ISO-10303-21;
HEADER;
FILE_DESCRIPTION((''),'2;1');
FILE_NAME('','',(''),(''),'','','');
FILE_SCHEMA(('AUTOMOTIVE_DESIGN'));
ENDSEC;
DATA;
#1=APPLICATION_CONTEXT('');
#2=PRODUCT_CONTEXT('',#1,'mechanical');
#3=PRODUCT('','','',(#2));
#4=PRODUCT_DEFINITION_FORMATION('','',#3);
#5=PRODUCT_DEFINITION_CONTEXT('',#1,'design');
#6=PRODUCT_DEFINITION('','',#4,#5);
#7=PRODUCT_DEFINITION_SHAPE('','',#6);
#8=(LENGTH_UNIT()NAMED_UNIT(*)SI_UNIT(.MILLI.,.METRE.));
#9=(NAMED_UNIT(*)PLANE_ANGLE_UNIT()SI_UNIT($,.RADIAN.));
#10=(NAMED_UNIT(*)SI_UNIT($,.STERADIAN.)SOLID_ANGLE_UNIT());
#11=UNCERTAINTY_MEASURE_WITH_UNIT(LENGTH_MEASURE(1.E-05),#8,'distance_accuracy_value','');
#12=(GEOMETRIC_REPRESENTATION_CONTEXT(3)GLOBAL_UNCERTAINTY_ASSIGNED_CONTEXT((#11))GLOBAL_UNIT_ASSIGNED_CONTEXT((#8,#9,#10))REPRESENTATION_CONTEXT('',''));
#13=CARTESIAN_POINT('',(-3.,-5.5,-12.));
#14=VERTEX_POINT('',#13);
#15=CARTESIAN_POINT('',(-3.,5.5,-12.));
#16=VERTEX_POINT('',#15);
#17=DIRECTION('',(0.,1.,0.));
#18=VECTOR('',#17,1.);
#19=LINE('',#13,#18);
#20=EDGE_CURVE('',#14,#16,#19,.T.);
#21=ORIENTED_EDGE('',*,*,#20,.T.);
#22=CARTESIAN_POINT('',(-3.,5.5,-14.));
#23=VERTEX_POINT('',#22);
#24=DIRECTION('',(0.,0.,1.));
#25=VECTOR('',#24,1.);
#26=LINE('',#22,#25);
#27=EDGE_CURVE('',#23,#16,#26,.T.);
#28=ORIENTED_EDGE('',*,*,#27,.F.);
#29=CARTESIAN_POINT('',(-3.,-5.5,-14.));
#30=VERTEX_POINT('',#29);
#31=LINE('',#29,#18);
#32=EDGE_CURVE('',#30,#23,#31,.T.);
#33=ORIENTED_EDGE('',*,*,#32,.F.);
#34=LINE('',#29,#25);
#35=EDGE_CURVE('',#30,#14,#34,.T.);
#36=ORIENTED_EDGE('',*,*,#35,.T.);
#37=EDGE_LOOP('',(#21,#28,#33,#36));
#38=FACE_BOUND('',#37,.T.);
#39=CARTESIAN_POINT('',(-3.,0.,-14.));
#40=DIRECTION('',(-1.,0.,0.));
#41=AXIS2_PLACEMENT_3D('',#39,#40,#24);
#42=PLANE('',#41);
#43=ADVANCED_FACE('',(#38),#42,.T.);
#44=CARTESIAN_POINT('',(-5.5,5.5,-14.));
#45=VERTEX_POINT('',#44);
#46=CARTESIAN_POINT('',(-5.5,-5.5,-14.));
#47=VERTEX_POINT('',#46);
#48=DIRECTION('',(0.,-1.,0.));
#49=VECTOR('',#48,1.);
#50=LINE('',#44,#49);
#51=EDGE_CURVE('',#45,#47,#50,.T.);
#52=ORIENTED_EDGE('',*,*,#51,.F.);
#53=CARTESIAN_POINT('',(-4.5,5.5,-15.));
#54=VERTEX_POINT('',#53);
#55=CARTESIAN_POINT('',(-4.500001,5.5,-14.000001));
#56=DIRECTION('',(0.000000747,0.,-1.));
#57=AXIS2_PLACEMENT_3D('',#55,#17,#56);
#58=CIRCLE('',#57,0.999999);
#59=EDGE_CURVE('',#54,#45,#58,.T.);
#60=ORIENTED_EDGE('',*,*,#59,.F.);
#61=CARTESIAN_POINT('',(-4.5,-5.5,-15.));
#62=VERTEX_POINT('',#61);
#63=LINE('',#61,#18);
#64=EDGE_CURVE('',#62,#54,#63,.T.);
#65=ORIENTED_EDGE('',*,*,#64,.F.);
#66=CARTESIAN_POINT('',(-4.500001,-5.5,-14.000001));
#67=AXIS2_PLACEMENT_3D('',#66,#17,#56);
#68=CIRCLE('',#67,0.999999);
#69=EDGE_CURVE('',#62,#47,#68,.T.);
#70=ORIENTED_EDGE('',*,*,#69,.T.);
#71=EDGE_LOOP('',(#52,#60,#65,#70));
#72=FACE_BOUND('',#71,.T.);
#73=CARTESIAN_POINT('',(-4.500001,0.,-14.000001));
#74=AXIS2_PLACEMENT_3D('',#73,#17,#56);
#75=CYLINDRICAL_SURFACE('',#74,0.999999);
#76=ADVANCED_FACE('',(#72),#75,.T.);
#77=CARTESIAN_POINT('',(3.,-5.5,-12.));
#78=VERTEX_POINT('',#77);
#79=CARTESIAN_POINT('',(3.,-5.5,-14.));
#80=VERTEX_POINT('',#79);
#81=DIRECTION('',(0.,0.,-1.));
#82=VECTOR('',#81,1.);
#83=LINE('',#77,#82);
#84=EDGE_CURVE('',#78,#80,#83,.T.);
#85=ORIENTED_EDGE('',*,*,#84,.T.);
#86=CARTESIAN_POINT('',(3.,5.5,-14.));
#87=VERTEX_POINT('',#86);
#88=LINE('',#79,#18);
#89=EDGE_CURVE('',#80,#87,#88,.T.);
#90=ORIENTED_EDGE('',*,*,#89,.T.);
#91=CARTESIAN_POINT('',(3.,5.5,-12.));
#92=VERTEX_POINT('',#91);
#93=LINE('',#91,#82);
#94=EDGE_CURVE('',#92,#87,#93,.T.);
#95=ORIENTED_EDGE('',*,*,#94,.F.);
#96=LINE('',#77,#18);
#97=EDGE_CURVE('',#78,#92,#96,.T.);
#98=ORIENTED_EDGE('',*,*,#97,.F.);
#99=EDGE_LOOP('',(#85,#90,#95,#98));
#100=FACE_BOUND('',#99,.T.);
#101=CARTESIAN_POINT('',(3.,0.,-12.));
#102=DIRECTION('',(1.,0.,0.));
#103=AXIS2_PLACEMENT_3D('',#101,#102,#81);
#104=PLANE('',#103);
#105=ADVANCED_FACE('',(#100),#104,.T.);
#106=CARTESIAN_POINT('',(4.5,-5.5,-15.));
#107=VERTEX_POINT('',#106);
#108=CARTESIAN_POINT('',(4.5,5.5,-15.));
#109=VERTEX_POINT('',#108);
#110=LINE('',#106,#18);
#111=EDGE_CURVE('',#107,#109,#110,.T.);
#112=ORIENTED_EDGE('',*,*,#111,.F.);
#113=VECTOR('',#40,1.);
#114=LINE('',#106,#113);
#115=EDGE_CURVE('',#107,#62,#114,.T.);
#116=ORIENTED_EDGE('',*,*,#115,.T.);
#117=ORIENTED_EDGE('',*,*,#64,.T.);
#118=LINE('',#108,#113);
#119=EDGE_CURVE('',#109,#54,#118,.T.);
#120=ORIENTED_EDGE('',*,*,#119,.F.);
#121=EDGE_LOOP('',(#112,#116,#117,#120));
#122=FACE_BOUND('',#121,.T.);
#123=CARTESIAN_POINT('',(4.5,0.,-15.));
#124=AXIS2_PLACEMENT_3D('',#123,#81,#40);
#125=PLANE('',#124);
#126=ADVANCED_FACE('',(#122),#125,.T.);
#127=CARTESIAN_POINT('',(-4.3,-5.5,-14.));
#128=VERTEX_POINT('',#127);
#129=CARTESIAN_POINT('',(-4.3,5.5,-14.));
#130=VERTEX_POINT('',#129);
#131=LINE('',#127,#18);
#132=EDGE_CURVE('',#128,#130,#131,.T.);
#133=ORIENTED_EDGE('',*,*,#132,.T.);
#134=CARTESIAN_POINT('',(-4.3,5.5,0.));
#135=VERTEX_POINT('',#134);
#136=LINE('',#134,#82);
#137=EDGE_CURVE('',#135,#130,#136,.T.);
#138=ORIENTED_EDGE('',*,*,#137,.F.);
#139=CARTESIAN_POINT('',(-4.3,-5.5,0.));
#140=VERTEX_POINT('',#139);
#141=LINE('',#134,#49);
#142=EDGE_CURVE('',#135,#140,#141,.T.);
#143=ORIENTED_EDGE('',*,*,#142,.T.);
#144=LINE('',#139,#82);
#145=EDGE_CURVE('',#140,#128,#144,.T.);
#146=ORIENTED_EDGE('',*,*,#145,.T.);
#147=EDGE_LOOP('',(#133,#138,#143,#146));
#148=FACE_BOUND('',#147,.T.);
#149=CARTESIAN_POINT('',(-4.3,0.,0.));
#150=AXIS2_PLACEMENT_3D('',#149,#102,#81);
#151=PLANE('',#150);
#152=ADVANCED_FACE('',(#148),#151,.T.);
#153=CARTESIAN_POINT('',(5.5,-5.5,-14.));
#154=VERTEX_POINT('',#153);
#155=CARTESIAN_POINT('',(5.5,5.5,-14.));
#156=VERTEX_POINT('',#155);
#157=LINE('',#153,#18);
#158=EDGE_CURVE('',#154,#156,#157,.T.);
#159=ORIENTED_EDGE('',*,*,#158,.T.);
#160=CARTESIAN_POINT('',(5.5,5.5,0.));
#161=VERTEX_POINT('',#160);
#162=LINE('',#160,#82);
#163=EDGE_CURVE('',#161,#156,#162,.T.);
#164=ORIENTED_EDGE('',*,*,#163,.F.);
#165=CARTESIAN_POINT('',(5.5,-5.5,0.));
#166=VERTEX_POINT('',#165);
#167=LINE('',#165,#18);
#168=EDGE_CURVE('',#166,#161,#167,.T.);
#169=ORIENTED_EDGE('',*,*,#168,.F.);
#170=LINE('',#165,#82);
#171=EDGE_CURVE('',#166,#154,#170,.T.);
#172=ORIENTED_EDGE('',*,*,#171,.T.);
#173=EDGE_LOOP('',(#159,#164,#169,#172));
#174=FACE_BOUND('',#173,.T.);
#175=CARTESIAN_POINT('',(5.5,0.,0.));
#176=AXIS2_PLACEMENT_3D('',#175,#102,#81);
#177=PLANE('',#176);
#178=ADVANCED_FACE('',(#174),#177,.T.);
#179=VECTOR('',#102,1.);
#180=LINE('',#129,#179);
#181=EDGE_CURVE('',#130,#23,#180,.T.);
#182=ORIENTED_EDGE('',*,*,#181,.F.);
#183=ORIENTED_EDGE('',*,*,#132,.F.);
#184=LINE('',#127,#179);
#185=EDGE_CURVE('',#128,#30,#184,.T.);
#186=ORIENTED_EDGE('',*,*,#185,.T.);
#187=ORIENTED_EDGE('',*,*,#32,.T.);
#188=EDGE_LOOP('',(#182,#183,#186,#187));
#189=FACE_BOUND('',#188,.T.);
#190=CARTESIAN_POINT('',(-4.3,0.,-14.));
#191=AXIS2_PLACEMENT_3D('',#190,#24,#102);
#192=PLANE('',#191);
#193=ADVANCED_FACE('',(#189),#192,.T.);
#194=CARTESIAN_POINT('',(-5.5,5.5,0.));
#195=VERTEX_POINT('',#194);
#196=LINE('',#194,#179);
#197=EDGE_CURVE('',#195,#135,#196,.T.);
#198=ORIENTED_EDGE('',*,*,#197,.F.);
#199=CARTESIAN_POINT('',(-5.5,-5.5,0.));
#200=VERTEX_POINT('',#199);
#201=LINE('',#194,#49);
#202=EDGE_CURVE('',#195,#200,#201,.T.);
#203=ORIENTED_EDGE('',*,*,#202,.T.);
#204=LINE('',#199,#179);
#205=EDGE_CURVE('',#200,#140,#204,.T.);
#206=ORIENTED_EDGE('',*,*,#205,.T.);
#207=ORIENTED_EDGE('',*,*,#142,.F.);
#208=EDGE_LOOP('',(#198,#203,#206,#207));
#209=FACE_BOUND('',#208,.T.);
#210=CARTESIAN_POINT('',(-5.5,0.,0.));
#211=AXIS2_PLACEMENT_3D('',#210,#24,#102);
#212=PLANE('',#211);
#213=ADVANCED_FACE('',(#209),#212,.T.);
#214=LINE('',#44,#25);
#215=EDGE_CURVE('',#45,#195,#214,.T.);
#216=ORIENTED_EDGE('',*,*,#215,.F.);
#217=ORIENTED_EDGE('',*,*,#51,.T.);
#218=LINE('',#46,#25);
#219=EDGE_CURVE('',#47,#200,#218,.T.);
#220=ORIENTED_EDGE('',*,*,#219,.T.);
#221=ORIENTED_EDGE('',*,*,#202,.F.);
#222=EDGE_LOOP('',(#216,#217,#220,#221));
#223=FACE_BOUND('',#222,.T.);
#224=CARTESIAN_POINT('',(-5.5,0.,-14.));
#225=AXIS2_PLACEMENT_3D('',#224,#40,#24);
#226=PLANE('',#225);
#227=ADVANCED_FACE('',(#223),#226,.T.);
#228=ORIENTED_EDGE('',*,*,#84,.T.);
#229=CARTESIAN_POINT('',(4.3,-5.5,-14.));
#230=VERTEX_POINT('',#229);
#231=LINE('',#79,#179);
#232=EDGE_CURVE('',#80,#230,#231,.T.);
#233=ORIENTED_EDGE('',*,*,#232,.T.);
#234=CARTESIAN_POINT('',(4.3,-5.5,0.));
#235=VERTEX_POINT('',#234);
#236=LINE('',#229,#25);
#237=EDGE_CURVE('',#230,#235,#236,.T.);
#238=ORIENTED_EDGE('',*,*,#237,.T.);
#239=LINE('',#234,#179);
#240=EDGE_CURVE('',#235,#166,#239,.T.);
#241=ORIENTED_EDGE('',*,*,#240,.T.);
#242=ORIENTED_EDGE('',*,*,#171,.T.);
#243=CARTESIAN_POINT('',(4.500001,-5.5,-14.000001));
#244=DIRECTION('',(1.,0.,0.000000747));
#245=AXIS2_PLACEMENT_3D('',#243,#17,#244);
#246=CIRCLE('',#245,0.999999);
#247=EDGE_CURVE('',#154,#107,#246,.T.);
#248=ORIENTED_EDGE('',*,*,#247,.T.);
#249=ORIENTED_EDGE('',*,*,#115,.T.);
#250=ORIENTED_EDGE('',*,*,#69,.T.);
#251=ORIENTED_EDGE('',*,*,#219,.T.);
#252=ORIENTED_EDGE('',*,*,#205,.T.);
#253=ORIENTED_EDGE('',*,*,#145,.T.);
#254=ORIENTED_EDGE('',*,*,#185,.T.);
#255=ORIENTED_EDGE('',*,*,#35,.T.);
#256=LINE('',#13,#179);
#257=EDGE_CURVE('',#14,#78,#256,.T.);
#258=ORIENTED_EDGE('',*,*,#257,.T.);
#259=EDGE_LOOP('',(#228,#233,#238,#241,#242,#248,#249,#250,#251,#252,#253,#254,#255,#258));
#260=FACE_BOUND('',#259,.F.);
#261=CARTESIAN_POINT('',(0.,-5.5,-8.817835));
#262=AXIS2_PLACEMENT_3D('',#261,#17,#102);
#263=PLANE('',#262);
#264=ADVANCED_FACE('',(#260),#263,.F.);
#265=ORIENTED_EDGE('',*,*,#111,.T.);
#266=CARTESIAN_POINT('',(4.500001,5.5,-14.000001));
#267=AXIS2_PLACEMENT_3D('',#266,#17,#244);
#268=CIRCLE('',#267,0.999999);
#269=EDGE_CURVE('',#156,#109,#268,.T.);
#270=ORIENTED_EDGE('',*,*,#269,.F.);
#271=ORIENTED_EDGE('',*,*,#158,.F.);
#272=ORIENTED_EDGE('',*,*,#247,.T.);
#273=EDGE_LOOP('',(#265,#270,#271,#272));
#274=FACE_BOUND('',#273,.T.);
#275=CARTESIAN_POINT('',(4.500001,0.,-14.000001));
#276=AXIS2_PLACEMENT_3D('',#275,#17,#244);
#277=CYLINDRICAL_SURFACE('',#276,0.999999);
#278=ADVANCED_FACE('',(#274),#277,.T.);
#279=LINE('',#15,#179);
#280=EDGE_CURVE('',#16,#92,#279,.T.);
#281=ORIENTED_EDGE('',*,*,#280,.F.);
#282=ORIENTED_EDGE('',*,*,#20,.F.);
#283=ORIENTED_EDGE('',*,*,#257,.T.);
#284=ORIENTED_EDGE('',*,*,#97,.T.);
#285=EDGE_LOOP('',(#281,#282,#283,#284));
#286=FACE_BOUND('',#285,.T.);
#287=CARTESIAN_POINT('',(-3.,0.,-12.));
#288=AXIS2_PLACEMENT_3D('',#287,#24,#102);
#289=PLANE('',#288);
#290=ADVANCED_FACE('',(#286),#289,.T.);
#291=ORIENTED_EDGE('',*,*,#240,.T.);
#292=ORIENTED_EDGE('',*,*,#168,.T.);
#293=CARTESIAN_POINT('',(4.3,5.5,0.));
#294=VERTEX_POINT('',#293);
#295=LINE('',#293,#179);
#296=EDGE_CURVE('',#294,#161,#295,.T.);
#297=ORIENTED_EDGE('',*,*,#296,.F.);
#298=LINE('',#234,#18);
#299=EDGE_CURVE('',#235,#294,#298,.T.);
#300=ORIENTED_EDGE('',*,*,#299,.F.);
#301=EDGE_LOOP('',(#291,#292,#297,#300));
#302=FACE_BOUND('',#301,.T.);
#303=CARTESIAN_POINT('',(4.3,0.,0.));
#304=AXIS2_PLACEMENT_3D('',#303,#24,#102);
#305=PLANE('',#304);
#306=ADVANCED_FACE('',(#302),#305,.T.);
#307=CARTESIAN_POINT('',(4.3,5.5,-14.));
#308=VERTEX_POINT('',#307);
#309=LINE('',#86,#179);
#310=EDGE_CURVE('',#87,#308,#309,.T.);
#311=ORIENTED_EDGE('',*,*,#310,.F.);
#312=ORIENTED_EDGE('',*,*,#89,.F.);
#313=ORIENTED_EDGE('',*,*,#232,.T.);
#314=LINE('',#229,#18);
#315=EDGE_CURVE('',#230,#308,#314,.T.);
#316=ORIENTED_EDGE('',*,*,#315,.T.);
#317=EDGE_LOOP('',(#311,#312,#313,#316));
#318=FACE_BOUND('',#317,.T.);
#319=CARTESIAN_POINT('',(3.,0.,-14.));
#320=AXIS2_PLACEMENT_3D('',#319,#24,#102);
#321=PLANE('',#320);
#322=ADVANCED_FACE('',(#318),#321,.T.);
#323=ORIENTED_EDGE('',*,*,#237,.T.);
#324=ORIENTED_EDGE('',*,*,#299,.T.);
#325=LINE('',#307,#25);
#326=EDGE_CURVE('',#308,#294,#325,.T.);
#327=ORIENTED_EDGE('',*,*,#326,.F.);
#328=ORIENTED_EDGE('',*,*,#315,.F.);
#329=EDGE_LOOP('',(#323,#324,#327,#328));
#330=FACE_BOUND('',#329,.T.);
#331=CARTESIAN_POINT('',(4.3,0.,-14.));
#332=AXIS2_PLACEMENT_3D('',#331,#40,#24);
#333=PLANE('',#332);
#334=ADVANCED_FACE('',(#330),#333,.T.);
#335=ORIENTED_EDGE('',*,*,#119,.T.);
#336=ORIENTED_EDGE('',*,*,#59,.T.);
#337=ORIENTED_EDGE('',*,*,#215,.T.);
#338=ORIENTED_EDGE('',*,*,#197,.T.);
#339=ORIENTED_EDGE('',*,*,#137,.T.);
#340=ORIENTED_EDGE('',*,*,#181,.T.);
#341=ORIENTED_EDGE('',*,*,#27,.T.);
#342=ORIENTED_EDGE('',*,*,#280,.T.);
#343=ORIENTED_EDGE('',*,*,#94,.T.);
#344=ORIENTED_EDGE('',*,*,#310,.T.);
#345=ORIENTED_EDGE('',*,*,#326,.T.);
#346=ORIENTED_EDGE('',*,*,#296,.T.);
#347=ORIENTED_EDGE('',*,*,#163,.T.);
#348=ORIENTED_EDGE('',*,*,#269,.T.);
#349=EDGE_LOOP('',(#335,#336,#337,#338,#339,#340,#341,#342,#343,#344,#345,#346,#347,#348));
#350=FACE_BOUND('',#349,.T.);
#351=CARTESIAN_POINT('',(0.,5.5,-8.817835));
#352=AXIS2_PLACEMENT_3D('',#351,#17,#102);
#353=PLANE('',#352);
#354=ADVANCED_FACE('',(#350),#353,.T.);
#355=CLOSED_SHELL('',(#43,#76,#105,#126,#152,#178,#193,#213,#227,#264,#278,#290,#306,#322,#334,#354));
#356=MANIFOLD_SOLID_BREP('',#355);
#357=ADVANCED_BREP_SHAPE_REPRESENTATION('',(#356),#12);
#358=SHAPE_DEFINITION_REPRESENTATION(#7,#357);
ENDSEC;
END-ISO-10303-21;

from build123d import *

# Parameters (mm, degrees)
PAD_DEPTH = 5.5


with BuildPart() as part:
    # Sketch (on Sketch) → Pad (new body, symmetric)
    with BuildSketch(Plane(origin=(0, 0, 0), x_dir=(1, 0, 0), z_dir=(0, 1, 0))):
        with BuildLine():
            Line((-4.3, 0), (-4.3, 14))
            Line((-4.3, 14), (-3, 14))
            Line((-3, 14), (-3, 12))
            Line((-3, 12), (3, 12))
            Line((3, 12), (3, 14))
            Line((3, 14), (4.3, 14))
            Line((4.3, 14), (4.3, 0))
            Line((4.3, 0), (5.5, 0))
            Line((5.5, 0), (5.5, 14))
            ThreePointArc((5.5, 14), (5.207107, 14.707107), (4.5, 15))
            Line((4.5, 15), (-4.5, 15))
            ThreePointArc((-4.5, 15), (-5.207107, 14.707107), (-5.5, 14))
            Line((-5.5, 14), (-5.5, 0))
            Line((-5.5, 0), (-4.3, 0))
        make_face()
    extrude(amount=PAD_DEPTH, both=True)


solid = part.part
